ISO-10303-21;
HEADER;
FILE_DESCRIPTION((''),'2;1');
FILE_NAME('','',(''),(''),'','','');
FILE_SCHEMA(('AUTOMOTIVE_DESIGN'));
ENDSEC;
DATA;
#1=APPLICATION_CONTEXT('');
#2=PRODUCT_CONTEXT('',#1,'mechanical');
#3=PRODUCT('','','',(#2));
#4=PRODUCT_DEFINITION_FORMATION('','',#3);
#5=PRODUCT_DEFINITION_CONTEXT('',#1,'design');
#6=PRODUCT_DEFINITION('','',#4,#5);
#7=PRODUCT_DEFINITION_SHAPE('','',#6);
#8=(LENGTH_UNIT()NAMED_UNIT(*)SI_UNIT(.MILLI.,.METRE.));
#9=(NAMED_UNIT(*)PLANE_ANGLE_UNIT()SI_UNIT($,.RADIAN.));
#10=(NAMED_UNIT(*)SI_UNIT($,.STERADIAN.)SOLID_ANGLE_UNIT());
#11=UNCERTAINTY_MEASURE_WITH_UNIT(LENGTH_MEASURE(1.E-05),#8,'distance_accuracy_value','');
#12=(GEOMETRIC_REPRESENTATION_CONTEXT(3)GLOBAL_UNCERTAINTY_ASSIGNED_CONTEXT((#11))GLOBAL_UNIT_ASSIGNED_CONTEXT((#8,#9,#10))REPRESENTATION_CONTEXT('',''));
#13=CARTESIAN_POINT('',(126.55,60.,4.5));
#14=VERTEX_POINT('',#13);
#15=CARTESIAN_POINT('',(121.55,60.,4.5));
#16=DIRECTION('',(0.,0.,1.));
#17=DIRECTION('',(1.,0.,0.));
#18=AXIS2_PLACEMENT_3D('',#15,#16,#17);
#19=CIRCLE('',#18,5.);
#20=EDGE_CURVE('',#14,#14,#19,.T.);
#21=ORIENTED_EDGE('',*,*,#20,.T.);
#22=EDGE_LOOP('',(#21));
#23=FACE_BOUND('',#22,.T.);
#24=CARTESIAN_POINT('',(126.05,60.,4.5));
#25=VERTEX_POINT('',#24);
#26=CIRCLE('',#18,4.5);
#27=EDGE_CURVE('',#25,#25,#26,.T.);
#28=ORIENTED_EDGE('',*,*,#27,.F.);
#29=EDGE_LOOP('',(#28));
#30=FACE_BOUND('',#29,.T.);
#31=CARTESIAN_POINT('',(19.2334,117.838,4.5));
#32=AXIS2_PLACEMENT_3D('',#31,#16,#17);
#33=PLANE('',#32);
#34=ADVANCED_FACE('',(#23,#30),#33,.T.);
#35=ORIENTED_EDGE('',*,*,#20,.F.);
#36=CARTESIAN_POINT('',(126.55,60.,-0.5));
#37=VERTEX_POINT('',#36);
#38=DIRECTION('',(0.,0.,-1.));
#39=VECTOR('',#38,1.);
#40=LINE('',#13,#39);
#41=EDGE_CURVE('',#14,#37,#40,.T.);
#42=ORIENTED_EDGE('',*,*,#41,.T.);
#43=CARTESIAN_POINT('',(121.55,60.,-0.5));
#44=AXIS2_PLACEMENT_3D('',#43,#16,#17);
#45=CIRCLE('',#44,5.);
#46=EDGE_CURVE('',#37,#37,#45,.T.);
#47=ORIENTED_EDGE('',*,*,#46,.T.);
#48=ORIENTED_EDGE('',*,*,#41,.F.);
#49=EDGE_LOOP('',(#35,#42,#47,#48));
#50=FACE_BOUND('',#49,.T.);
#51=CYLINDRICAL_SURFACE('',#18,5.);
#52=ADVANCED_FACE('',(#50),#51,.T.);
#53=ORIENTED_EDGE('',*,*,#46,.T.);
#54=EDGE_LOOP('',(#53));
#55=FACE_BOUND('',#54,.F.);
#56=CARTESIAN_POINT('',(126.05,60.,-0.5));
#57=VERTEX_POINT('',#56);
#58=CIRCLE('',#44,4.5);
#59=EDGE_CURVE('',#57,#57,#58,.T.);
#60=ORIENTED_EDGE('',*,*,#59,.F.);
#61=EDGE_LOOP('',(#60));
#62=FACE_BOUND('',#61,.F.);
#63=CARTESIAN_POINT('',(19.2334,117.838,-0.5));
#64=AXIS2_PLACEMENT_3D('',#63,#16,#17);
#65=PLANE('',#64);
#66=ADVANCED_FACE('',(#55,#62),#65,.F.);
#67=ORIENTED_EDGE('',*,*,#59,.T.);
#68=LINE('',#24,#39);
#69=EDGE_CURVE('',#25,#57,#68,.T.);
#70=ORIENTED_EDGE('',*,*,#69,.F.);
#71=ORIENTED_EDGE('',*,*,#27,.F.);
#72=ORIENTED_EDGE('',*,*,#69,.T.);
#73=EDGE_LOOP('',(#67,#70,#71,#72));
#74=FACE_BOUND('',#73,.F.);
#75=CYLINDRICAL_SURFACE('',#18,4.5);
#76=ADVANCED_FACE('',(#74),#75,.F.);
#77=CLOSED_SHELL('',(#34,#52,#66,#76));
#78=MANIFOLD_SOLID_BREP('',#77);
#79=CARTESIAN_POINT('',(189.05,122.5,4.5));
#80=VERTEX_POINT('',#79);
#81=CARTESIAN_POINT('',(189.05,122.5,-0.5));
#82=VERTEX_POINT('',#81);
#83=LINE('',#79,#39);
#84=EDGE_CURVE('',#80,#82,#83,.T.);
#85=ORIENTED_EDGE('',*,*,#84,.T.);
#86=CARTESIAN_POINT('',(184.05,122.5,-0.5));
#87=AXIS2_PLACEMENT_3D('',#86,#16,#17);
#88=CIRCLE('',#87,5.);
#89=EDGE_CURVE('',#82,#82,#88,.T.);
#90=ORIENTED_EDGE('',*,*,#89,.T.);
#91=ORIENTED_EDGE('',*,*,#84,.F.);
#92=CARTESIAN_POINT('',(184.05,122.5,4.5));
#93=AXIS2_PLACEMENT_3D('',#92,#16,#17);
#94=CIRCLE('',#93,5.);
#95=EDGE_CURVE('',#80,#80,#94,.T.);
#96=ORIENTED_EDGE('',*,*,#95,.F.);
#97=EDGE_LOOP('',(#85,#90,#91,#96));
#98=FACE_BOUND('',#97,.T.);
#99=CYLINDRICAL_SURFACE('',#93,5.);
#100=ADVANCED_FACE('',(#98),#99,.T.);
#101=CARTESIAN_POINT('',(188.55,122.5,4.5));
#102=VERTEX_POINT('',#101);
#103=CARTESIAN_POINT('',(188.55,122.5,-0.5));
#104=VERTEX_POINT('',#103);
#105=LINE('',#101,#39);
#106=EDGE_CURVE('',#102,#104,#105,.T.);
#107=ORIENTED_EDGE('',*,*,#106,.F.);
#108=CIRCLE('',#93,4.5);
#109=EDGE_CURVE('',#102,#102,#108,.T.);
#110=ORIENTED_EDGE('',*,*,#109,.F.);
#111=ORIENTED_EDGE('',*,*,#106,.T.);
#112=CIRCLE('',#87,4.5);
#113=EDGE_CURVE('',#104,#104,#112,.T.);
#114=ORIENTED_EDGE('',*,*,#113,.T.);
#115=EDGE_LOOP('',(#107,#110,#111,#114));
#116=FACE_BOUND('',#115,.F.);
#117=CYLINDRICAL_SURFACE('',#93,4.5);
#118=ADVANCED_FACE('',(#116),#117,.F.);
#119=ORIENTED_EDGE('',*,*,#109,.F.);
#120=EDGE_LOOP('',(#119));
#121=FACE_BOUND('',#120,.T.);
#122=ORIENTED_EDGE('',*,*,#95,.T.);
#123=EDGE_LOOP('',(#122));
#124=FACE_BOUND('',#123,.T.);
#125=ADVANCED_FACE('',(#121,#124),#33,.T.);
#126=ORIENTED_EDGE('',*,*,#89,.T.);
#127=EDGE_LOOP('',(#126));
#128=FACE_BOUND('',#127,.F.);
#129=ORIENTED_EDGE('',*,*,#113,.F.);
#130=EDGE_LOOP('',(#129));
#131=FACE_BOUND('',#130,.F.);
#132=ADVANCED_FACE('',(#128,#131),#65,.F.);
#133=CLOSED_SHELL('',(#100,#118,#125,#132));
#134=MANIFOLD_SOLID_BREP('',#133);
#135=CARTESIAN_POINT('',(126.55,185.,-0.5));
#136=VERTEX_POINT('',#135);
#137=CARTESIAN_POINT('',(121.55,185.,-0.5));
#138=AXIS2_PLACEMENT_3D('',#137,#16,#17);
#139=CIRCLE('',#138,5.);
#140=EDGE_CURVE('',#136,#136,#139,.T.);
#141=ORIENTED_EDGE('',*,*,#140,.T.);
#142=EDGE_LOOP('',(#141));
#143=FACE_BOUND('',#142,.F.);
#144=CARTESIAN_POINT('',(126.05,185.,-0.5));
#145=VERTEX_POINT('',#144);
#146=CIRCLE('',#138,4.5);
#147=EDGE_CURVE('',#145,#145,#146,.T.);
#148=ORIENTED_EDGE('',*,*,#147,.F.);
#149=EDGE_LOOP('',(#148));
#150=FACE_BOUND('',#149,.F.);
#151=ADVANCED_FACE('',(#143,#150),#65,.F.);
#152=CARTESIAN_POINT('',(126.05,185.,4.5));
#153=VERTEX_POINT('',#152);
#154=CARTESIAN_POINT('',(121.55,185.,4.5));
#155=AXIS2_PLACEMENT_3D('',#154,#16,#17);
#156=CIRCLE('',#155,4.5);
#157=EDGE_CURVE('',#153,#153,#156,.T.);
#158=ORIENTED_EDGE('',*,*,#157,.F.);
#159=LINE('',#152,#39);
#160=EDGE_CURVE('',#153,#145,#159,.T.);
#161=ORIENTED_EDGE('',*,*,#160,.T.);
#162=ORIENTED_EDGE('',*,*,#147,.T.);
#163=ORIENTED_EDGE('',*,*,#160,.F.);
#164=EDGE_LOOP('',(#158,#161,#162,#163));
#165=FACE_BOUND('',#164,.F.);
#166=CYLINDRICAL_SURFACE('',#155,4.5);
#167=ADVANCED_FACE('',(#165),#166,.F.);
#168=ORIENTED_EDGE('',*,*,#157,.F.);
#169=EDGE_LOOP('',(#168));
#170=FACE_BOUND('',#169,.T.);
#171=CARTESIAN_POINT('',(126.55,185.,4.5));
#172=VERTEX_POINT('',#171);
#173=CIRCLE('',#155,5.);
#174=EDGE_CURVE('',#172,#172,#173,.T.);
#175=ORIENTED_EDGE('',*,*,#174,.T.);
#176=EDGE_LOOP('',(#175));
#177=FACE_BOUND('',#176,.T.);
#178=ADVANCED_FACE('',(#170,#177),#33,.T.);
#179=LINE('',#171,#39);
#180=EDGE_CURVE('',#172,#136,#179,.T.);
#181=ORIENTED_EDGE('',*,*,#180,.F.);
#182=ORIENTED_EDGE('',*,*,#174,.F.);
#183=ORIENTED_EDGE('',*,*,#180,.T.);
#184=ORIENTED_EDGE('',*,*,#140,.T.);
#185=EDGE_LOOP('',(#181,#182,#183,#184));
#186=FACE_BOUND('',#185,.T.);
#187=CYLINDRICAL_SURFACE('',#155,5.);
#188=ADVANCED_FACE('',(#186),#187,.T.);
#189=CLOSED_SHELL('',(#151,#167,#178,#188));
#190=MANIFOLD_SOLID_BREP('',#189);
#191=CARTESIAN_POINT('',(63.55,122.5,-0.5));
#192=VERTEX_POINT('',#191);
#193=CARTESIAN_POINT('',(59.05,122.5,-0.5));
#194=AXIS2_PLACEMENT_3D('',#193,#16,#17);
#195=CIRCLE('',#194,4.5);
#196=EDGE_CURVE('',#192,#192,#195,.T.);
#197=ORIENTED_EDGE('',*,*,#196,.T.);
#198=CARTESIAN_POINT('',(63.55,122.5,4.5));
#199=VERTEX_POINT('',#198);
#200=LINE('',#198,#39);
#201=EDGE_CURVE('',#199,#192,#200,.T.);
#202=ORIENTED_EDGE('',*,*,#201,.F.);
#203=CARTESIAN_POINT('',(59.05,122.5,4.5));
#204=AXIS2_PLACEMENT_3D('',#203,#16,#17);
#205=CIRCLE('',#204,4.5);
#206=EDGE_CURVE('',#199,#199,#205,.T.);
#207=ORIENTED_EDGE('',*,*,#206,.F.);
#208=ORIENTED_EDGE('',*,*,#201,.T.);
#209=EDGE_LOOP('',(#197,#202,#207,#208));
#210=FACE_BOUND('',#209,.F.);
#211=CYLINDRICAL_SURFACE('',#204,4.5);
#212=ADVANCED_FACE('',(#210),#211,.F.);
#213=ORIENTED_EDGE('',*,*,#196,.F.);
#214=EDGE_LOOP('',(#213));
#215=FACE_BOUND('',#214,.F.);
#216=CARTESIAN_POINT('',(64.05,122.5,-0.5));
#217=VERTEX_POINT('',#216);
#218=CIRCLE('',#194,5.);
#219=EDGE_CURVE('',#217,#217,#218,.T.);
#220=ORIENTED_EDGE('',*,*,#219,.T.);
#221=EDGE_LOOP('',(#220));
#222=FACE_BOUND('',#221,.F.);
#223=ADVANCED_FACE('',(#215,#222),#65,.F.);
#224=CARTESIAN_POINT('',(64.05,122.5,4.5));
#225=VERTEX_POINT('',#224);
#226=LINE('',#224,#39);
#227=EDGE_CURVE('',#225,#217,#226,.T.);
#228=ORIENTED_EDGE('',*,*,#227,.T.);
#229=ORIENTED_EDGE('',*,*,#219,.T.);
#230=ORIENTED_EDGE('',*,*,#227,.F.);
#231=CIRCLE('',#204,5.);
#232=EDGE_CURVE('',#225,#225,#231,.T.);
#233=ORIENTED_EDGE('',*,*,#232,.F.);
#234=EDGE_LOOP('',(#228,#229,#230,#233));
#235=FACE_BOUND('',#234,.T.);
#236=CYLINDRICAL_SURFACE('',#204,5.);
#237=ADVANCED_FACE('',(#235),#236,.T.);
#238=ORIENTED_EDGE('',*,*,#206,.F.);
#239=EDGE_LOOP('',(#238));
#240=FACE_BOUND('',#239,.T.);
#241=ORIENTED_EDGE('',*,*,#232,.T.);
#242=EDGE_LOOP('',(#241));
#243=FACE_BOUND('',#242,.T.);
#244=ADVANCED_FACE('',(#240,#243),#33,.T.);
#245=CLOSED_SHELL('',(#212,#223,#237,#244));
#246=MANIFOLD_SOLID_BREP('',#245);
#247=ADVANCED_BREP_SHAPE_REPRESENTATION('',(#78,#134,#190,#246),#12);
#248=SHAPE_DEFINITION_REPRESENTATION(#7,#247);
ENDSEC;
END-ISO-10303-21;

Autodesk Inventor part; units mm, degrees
ref_plane "YZ Plane" through (0, 0, 0) normal (1, 0, 0) x (0, 1, 0)
ref_plane "XZ Plane" through (0, 0, 0) normal (0, 1, 0) x (-1, 0, 0)
ref_plane "XY Plane" through (0, 0, 0) normal (0, 0, 1) x (1, 0, 0)
sketch "Sketch1" plane through (19.2334, 117.838, 4.5) normal (0, 0, 1) x (1, 0, 0)
  circle A0 centre (102.3166, 4.662) radius 62.5 construction
  line L0 (-19.2334, 159.3689) -> (-19.2334, -164.0391) projected
  line L1 (-65.3026, -117.838) -> (257.1813, -117.838) projected
  line L2 (102.3166, 4.662) -> (102.3166, -57.838) construction
  circle A1 centre (102.3166, -57.838) radius 5
  line L3 (102.3166, 4.662) -> (102.3166, 67.162) construction
  circle A2 centre (102.3166, 67.162) radius 5
  line L4 (102.3166, 4.662) -> (39.8166, 4.662) construction
  circle A3 centre (39.8166, 4.662) radius 5
  line L5 (102.3166, 4.662) -> (164.8166, 4.662) construction
  circle A4 centre (164.8166, 4.662) radius 5
  circle A5 centre (102.3166, -57.838) radius 4.5
  circle A6 centre (39.8166, 4.662) radius 4.5
  circle A7 centre (102.3166, 67.162) radius 4.5
  circle A8 centre (164.8166, 4.662) radius 4.5
  point P0 (-19.2334, -117.838)
  dimension "d0" = 125
  dimension "d1" = 122.5
  dimension "d2" = 121.55
  dimension "d3" = 10
  dimension "d4" = 9
extrude "Extrusion1" add sketch "Sketch1" against normal blind 5
properties part number "Arashi Rear Brake Disc Rotors"
